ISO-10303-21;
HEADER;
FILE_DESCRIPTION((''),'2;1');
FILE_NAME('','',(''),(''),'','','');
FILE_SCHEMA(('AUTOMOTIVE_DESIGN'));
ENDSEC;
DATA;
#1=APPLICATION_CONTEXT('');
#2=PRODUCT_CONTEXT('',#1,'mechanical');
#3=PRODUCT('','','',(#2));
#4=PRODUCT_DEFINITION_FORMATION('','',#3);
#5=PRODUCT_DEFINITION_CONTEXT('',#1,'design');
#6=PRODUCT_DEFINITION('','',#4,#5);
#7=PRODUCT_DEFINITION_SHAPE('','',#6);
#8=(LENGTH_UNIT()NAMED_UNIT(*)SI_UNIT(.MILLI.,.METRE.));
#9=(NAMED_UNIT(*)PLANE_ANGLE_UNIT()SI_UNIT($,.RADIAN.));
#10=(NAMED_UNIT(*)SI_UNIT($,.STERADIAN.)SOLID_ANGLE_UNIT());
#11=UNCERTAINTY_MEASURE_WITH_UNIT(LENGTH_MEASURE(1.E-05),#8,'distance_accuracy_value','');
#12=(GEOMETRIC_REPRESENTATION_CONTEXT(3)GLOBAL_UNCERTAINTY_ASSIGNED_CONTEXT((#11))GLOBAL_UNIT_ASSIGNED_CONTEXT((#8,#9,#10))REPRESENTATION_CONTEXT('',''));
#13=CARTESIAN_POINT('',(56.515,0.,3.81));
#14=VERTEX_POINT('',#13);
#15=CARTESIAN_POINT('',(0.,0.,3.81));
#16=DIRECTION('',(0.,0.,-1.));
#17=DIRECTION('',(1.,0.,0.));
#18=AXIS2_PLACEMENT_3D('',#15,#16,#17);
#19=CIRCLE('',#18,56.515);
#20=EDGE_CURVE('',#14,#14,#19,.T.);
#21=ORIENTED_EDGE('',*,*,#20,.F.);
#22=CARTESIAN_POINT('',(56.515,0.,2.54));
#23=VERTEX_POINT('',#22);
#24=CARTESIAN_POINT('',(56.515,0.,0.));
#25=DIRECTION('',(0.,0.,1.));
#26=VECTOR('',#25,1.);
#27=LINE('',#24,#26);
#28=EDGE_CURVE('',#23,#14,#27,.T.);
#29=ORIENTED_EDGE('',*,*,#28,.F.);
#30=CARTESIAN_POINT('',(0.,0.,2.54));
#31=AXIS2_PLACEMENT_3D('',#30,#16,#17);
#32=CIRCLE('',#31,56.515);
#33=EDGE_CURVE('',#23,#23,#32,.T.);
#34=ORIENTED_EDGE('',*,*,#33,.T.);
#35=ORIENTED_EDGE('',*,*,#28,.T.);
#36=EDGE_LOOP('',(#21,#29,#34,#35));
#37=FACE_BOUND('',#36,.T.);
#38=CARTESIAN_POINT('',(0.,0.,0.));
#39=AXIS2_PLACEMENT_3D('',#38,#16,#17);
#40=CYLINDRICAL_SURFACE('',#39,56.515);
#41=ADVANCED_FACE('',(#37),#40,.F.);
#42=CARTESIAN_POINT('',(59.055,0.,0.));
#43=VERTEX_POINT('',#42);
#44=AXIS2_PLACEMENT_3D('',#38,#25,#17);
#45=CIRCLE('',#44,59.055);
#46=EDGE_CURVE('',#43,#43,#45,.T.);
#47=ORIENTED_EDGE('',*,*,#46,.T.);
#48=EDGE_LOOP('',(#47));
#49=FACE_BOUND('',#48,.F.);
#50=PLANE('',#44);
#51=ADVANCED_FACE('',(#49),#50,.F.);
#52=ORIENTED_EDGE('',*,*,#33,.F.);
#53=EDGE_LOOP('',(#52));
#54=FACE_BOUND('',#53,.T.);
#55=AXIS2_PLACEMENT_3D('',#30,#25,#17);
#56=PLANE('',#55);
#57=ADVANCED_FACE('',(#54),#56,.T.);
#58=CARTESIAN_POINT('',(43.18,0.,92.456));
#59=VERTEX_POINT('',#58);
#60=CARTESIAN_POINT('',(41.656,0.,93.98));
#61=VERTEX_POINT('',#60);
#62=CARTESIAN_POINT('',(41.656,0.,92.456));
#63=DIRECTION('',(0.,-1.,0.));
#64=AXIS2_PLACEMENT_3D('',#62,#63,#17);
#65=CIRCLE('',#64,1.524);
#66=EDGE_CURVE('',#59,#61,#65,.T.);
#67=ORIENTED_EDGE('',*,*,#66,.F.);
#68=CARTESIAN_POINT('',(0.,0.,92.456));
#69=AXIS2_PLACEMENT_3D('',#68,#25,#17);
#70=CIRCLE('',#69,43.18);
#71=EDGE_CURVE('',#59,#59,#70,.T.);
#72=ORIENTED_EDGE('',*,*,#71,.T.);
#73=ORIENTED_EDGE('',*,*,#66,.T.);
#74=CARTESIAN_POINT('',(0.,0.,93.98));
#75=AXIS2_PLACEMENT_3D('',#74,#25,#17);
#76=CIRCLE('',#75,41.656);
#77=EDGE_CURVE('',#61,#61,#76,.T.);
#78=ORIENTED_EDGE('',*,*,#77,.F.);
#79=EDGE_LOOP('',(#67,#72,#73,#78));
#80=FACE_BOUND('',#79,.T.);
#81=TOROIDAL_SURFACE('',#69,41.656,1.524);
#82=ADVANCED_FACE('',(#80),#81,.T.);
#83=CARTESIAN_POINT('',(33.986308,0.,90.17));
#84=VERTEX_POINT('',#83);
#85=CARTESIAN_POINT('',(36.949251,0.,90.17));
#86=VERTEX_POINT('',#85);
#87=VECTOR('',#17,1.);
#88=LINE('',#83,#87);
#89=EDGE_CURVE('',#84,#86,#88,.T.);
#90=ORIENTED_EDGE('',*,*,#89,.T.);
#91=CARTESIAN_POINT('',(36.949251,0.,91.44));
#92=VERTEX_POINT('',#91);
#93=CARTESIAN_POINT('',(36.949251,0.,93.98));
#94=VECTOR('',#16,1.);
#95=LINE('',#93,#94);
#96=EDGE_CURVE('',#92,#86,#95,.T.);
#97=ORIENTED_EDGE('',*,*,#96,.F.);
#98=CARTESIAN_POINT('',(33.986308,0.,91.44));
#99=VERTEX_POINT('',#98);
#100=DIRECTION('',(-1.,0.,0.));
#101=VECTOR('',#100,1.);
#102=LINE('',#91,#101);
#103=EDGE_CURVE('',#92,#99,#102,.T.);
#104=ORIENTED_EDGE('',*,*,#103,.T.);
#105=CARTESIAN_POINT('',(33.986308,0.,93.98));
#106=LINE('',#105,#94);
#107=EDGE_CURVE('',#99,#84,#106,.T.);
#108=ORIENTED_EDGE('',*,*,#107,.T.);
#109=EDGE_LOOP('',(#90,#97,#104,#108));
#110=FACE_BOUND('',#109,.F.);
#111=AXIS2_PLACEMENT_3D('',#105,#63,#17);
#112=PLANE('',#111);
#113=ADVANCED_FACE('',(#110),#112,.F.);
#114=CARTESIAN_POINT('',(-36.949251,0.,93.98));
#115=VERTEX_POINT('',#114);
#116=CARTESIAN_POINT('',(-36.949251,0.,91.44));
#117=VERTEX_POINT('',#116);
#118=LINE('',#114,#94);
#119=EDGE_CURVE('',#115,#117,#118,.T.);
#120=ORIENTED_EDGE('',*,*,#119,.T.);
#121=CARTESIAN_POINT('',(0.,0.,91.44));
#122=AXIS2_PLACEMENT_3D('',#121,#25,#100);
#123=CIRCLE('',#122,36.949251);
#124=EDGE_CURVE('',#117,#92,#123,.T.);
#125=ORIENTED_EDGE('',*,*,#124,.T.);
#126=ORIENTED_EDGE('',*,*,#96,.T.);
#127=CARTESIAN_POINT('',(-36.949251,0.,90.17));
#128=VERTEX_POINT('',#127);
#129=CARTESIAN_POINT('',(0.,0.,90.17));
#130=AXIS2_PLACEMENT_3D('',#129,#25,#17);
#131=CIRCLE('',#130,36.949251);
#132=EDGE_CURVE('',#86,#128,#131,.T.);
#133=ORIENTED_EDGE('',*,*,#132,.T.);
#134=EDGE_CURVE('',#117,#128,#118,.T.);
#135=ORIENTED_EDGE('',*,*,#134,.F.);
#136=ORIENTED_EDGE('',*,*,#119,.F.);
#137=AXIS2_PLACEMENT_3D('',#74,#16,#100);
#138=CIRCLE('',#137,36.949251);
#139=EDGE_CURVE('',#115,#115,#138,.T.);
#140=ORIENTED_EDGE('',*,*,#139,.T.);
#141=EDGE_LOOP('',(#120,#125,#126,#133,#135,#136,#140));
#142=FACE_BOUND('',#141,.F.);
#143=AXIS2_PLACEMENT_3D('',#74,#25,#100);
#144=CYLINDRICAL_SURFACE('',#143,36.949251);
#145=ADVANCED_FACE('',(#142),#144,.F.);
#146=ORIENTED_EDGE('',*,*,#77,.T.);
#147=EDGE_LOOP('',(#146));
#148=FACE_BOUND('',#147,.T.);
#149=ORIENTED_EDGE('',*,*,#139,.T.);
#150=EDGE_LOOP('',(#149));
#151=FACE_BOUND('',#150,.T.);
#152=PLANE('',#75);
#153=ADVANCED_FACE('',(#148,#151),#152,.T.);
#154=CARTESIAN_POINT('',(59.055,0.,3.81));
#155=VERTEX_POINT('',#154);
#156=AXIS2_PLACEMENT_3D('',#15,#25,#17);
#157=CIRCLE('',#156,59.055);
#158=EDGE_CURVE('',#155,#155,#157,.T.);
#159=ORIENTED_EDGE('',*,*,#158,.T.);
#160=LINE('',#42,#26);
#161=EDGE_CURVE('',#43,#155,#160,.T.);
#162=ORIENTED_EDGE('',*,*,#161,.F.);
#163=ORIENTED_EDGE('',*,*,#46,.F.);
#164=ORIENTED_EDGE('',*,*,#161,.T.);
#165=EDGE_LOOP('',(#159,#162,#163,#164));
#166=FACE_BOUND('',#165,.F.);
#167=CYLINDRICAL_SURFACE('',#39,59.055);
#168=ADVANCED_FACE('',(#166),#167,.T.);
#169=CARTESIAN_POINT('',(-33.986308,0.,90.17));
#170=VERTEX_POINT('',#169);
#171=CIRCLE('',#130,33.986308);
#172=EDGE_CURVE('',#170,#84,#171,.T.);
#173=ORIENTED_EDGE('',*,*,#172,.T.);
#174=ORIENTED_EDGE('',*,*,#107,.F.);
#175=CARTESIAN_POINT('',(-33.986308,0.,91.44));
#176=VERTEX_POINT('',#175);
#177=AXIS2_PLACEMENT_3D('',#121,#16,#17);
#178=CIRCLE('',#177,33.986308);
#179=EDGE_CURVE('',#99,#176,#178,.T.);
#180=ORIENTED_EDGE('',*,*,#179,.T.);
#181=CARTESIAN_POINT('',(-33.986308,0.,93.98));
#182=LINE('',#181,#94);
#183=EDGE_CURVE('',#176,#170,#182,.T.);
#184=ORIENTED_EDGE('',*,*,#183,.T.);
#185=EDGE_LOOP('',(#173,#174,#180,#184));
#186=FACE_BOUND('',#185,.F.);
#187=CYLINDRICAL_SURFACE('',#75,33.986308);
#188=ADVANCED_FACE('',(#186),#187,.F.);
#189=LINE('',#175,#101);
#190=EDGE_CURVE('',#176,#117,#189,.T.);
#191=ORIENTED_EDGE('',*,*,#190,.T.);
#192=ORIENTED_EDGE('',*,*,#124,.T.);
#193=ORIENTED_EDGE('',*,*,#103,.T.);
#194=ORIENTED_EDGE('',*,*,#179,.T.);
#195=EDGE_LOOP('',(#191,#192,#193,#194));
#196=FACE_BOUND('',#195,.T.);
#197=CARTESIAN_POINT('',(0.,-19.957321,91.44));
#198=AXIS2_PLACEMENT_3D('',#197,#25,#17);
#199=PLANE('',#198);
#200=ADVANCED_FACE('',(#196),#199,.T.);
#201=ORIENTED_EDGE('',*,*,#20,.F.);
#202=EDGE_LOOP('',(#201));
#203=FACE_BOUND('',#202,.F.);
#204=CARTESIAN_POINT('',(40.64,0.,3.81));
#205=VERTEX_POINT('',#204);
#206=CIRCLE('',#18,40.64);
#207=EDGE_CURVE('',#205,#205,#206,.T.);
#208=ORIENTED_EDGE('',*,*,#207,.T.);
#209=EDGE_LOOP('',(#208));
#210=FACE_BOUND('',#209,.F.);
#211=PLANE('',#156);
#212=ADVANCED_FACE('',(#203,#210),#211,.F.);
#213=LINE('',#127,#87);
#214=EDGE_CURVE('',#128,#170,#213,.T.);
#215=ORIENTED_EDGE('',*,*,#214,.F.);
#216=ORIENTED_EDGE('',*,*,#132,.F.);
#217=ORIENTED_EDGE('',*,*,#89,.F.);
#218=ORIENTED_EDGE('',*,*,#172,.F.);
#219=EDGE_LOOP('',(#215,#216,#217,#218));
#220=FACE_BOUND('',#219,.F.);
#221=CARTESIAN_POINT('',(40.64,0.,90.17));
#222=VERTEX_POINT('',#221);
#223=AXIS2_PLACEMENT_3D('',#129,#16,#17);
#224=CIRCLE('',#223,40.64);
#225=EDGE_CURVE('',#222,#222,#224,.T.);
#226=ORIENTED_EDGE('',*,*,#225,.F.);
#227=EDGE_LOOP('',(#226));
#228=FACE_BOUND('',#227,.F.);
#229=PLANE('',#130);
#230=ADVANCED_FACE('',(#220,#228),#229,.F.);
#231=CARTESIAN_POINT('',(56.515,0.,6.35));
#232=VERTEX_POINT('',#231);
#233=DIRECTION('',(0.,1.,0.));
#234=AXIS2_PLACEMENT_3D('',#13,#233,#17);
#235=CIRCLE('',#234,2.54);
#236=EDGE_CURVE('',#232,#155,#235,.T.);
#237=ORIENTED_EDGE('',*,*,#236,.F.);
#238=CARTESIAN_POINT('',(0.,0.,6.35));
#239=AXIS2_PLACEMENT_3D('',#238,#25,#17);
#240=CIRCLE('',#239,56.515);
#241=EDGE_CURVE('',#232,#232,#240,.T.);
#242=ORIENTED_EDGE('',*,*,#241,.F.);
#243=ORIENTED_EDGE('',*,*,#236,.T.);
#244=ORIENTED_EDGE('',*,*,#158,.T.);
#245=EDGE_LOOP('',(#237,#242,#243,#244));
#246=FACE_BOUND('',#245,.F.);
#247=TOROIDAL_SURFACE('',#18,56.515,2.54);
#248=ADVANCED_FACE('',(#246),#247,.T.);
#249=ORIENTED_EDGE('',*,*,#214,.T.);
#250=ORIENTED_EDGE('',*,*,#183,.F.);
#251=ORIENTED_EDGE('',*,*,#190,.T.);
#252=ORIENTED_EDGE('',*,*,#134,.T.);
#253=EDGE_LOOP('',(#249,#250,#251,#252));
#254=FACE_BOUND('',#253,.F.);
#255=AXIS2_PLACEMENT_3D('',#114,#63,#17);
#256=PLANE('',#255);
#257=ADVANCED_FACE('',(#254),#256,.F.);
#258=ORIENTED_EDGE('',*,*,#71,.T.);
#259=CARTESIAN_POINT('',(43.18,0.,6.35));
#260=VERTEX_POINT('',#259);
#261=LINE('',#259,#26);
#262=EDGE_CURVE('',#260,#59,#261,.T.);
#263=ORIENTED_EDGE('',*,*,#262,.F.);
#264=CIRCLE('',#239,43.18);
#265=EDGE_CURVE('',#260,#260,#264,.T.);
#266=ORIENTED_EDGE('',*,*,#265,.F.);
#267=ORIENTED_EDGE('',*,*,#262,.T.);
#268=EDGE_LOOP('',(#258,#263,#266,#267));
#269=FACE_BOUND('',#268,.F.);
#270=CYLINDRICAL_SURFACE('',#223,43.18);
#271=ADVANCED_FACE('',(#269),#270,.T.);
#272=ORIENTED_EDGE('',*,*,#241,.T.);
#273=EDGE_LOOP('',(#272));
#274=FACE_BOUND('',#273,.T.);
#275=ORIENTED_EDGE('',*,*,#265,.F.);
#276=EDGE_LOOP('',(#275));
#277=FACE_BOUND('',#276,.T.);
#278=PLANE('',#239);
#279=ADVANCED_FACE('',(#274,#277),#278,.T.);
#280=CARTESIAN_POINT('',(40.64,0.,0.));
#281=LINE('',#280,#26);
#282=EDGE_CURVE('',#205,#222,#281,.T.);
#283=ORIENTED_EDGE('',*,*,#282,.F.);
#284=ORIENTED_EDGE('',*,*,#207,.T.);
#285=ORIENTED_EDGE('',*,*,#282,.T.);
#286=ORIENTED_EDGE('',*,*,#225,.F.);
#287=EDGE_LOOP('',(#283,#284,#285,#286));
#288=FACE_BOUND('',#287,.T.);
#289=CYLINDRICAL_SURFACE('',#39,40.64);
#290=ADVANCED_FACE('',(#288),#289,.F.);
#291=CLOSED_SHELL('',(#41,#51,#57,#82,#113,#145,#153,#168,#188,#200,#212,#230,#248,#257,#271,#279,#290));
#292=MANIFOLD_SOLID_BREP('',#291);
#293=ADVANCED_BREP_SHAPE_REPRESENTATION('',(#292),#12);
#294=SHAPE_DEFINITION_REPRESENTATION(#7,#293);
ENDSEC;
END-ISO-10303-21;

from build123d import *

# Parameters (mm, degrees)
F0_R     = 43.18
F1_DEPTH = 90.17
F0_R_2   = 59.055
F2_DEPTH = 6.35
F3_T     = -2.54
F4_R     = 43.18
F5_DEPTH = 3.81
F7_DEPTH = 3.81
F8_DEPTH = 2.54
F9_R     = 2.54
F10_R    = 1.524


with BuildPart() as f1:
    # F0 (on Top) → F1 (new body)
    with BuildSketch(Plane.XY):
        Circle(F0_R)
    extrude(amount=F1_DEPTH)

    # F0 (on Top) → F2 (join)
    with BuildSketch(Plane.XY):
        Circle(F0_R_2)
        Circle(F0_R, mode=Mode.SUBTRACT)
    extrude(amount=F2_DEPTH)

    # F3
    f3_openings = [f1.faces().sort_by_distance(p)[0] for p in [
        (0, 0, 90.17),
    ]]
    offset(amount=F3_T, openings=f3_openings, kind=Kind.INTERSECTION)

    # F4 (on face) → F5 (join)
    with BuildSketch(Plane.XY.offset(90.17)):
        Circle(F4_R)
    extrude(amount=F5_DEPTH)

    # F6 (on face) → F7 (cut, through all)
    with BuildSketch(Plane.XY.offset(93.98)):
        with BuildLine():
            ThreePointArc((-33.986308275, 0), (0, -33.986308275), (33.986308275, 0))
            ThreePointArc((33.986308275, 0), (0, 33.986308275), (-33.986308275, 0))
        make_face()
        with BuildLine():
            Line((33.986308275, 0), (36.9492512699, 0))
            ThreePointArc((36.9492512699, 0), (0, 36.9492512699), (-36.9492512699, 0))
            Line((-36.9492512699, 0), (-33.986308275, 0))
            ThreePointArc((-33.986308275, 0), (0, 33.986308275), (33.986308275, 0))
        make_face()
    extrude(amount=-F7_DEPTH, mode=Mode.SUBTRACT)

    # F6 (on face) → F8 (cut)
    with BuildSketch(Plane.XY.offset(93.98)):
        with BuildLine():
            ThreePointArc((-36.9492512699, 0), (0, -36.9492512699), (36.9492512699, 0))
            Line((36.9492512699, 0), (33.986308275, 0))
            ThreePointArc((33.986308275, 0), (0, -33.986308275), (-33.986308275, 0))
            Line((-33.986308275, 0), (-36.9492512699, 0))
        make_face()
    extrude(amount=-F8_DEPTH, mode=Mode.SUBTRACT)

    # F9
    f9_edges = [f1.edges().sort_by_distance(p)[0] for p in [
        (-59.055, 0, 6.35),
    ]]
    fillet(f9_edges, radius=F9_R)

    # F10
    f10_edges = [f1.edges().sort_by_distance(p)[0] for p in [
        (-43.18, 0, 93.98),
    ]]
    fillet(f10_edges, radius=F10_R)


solid = f1.part
